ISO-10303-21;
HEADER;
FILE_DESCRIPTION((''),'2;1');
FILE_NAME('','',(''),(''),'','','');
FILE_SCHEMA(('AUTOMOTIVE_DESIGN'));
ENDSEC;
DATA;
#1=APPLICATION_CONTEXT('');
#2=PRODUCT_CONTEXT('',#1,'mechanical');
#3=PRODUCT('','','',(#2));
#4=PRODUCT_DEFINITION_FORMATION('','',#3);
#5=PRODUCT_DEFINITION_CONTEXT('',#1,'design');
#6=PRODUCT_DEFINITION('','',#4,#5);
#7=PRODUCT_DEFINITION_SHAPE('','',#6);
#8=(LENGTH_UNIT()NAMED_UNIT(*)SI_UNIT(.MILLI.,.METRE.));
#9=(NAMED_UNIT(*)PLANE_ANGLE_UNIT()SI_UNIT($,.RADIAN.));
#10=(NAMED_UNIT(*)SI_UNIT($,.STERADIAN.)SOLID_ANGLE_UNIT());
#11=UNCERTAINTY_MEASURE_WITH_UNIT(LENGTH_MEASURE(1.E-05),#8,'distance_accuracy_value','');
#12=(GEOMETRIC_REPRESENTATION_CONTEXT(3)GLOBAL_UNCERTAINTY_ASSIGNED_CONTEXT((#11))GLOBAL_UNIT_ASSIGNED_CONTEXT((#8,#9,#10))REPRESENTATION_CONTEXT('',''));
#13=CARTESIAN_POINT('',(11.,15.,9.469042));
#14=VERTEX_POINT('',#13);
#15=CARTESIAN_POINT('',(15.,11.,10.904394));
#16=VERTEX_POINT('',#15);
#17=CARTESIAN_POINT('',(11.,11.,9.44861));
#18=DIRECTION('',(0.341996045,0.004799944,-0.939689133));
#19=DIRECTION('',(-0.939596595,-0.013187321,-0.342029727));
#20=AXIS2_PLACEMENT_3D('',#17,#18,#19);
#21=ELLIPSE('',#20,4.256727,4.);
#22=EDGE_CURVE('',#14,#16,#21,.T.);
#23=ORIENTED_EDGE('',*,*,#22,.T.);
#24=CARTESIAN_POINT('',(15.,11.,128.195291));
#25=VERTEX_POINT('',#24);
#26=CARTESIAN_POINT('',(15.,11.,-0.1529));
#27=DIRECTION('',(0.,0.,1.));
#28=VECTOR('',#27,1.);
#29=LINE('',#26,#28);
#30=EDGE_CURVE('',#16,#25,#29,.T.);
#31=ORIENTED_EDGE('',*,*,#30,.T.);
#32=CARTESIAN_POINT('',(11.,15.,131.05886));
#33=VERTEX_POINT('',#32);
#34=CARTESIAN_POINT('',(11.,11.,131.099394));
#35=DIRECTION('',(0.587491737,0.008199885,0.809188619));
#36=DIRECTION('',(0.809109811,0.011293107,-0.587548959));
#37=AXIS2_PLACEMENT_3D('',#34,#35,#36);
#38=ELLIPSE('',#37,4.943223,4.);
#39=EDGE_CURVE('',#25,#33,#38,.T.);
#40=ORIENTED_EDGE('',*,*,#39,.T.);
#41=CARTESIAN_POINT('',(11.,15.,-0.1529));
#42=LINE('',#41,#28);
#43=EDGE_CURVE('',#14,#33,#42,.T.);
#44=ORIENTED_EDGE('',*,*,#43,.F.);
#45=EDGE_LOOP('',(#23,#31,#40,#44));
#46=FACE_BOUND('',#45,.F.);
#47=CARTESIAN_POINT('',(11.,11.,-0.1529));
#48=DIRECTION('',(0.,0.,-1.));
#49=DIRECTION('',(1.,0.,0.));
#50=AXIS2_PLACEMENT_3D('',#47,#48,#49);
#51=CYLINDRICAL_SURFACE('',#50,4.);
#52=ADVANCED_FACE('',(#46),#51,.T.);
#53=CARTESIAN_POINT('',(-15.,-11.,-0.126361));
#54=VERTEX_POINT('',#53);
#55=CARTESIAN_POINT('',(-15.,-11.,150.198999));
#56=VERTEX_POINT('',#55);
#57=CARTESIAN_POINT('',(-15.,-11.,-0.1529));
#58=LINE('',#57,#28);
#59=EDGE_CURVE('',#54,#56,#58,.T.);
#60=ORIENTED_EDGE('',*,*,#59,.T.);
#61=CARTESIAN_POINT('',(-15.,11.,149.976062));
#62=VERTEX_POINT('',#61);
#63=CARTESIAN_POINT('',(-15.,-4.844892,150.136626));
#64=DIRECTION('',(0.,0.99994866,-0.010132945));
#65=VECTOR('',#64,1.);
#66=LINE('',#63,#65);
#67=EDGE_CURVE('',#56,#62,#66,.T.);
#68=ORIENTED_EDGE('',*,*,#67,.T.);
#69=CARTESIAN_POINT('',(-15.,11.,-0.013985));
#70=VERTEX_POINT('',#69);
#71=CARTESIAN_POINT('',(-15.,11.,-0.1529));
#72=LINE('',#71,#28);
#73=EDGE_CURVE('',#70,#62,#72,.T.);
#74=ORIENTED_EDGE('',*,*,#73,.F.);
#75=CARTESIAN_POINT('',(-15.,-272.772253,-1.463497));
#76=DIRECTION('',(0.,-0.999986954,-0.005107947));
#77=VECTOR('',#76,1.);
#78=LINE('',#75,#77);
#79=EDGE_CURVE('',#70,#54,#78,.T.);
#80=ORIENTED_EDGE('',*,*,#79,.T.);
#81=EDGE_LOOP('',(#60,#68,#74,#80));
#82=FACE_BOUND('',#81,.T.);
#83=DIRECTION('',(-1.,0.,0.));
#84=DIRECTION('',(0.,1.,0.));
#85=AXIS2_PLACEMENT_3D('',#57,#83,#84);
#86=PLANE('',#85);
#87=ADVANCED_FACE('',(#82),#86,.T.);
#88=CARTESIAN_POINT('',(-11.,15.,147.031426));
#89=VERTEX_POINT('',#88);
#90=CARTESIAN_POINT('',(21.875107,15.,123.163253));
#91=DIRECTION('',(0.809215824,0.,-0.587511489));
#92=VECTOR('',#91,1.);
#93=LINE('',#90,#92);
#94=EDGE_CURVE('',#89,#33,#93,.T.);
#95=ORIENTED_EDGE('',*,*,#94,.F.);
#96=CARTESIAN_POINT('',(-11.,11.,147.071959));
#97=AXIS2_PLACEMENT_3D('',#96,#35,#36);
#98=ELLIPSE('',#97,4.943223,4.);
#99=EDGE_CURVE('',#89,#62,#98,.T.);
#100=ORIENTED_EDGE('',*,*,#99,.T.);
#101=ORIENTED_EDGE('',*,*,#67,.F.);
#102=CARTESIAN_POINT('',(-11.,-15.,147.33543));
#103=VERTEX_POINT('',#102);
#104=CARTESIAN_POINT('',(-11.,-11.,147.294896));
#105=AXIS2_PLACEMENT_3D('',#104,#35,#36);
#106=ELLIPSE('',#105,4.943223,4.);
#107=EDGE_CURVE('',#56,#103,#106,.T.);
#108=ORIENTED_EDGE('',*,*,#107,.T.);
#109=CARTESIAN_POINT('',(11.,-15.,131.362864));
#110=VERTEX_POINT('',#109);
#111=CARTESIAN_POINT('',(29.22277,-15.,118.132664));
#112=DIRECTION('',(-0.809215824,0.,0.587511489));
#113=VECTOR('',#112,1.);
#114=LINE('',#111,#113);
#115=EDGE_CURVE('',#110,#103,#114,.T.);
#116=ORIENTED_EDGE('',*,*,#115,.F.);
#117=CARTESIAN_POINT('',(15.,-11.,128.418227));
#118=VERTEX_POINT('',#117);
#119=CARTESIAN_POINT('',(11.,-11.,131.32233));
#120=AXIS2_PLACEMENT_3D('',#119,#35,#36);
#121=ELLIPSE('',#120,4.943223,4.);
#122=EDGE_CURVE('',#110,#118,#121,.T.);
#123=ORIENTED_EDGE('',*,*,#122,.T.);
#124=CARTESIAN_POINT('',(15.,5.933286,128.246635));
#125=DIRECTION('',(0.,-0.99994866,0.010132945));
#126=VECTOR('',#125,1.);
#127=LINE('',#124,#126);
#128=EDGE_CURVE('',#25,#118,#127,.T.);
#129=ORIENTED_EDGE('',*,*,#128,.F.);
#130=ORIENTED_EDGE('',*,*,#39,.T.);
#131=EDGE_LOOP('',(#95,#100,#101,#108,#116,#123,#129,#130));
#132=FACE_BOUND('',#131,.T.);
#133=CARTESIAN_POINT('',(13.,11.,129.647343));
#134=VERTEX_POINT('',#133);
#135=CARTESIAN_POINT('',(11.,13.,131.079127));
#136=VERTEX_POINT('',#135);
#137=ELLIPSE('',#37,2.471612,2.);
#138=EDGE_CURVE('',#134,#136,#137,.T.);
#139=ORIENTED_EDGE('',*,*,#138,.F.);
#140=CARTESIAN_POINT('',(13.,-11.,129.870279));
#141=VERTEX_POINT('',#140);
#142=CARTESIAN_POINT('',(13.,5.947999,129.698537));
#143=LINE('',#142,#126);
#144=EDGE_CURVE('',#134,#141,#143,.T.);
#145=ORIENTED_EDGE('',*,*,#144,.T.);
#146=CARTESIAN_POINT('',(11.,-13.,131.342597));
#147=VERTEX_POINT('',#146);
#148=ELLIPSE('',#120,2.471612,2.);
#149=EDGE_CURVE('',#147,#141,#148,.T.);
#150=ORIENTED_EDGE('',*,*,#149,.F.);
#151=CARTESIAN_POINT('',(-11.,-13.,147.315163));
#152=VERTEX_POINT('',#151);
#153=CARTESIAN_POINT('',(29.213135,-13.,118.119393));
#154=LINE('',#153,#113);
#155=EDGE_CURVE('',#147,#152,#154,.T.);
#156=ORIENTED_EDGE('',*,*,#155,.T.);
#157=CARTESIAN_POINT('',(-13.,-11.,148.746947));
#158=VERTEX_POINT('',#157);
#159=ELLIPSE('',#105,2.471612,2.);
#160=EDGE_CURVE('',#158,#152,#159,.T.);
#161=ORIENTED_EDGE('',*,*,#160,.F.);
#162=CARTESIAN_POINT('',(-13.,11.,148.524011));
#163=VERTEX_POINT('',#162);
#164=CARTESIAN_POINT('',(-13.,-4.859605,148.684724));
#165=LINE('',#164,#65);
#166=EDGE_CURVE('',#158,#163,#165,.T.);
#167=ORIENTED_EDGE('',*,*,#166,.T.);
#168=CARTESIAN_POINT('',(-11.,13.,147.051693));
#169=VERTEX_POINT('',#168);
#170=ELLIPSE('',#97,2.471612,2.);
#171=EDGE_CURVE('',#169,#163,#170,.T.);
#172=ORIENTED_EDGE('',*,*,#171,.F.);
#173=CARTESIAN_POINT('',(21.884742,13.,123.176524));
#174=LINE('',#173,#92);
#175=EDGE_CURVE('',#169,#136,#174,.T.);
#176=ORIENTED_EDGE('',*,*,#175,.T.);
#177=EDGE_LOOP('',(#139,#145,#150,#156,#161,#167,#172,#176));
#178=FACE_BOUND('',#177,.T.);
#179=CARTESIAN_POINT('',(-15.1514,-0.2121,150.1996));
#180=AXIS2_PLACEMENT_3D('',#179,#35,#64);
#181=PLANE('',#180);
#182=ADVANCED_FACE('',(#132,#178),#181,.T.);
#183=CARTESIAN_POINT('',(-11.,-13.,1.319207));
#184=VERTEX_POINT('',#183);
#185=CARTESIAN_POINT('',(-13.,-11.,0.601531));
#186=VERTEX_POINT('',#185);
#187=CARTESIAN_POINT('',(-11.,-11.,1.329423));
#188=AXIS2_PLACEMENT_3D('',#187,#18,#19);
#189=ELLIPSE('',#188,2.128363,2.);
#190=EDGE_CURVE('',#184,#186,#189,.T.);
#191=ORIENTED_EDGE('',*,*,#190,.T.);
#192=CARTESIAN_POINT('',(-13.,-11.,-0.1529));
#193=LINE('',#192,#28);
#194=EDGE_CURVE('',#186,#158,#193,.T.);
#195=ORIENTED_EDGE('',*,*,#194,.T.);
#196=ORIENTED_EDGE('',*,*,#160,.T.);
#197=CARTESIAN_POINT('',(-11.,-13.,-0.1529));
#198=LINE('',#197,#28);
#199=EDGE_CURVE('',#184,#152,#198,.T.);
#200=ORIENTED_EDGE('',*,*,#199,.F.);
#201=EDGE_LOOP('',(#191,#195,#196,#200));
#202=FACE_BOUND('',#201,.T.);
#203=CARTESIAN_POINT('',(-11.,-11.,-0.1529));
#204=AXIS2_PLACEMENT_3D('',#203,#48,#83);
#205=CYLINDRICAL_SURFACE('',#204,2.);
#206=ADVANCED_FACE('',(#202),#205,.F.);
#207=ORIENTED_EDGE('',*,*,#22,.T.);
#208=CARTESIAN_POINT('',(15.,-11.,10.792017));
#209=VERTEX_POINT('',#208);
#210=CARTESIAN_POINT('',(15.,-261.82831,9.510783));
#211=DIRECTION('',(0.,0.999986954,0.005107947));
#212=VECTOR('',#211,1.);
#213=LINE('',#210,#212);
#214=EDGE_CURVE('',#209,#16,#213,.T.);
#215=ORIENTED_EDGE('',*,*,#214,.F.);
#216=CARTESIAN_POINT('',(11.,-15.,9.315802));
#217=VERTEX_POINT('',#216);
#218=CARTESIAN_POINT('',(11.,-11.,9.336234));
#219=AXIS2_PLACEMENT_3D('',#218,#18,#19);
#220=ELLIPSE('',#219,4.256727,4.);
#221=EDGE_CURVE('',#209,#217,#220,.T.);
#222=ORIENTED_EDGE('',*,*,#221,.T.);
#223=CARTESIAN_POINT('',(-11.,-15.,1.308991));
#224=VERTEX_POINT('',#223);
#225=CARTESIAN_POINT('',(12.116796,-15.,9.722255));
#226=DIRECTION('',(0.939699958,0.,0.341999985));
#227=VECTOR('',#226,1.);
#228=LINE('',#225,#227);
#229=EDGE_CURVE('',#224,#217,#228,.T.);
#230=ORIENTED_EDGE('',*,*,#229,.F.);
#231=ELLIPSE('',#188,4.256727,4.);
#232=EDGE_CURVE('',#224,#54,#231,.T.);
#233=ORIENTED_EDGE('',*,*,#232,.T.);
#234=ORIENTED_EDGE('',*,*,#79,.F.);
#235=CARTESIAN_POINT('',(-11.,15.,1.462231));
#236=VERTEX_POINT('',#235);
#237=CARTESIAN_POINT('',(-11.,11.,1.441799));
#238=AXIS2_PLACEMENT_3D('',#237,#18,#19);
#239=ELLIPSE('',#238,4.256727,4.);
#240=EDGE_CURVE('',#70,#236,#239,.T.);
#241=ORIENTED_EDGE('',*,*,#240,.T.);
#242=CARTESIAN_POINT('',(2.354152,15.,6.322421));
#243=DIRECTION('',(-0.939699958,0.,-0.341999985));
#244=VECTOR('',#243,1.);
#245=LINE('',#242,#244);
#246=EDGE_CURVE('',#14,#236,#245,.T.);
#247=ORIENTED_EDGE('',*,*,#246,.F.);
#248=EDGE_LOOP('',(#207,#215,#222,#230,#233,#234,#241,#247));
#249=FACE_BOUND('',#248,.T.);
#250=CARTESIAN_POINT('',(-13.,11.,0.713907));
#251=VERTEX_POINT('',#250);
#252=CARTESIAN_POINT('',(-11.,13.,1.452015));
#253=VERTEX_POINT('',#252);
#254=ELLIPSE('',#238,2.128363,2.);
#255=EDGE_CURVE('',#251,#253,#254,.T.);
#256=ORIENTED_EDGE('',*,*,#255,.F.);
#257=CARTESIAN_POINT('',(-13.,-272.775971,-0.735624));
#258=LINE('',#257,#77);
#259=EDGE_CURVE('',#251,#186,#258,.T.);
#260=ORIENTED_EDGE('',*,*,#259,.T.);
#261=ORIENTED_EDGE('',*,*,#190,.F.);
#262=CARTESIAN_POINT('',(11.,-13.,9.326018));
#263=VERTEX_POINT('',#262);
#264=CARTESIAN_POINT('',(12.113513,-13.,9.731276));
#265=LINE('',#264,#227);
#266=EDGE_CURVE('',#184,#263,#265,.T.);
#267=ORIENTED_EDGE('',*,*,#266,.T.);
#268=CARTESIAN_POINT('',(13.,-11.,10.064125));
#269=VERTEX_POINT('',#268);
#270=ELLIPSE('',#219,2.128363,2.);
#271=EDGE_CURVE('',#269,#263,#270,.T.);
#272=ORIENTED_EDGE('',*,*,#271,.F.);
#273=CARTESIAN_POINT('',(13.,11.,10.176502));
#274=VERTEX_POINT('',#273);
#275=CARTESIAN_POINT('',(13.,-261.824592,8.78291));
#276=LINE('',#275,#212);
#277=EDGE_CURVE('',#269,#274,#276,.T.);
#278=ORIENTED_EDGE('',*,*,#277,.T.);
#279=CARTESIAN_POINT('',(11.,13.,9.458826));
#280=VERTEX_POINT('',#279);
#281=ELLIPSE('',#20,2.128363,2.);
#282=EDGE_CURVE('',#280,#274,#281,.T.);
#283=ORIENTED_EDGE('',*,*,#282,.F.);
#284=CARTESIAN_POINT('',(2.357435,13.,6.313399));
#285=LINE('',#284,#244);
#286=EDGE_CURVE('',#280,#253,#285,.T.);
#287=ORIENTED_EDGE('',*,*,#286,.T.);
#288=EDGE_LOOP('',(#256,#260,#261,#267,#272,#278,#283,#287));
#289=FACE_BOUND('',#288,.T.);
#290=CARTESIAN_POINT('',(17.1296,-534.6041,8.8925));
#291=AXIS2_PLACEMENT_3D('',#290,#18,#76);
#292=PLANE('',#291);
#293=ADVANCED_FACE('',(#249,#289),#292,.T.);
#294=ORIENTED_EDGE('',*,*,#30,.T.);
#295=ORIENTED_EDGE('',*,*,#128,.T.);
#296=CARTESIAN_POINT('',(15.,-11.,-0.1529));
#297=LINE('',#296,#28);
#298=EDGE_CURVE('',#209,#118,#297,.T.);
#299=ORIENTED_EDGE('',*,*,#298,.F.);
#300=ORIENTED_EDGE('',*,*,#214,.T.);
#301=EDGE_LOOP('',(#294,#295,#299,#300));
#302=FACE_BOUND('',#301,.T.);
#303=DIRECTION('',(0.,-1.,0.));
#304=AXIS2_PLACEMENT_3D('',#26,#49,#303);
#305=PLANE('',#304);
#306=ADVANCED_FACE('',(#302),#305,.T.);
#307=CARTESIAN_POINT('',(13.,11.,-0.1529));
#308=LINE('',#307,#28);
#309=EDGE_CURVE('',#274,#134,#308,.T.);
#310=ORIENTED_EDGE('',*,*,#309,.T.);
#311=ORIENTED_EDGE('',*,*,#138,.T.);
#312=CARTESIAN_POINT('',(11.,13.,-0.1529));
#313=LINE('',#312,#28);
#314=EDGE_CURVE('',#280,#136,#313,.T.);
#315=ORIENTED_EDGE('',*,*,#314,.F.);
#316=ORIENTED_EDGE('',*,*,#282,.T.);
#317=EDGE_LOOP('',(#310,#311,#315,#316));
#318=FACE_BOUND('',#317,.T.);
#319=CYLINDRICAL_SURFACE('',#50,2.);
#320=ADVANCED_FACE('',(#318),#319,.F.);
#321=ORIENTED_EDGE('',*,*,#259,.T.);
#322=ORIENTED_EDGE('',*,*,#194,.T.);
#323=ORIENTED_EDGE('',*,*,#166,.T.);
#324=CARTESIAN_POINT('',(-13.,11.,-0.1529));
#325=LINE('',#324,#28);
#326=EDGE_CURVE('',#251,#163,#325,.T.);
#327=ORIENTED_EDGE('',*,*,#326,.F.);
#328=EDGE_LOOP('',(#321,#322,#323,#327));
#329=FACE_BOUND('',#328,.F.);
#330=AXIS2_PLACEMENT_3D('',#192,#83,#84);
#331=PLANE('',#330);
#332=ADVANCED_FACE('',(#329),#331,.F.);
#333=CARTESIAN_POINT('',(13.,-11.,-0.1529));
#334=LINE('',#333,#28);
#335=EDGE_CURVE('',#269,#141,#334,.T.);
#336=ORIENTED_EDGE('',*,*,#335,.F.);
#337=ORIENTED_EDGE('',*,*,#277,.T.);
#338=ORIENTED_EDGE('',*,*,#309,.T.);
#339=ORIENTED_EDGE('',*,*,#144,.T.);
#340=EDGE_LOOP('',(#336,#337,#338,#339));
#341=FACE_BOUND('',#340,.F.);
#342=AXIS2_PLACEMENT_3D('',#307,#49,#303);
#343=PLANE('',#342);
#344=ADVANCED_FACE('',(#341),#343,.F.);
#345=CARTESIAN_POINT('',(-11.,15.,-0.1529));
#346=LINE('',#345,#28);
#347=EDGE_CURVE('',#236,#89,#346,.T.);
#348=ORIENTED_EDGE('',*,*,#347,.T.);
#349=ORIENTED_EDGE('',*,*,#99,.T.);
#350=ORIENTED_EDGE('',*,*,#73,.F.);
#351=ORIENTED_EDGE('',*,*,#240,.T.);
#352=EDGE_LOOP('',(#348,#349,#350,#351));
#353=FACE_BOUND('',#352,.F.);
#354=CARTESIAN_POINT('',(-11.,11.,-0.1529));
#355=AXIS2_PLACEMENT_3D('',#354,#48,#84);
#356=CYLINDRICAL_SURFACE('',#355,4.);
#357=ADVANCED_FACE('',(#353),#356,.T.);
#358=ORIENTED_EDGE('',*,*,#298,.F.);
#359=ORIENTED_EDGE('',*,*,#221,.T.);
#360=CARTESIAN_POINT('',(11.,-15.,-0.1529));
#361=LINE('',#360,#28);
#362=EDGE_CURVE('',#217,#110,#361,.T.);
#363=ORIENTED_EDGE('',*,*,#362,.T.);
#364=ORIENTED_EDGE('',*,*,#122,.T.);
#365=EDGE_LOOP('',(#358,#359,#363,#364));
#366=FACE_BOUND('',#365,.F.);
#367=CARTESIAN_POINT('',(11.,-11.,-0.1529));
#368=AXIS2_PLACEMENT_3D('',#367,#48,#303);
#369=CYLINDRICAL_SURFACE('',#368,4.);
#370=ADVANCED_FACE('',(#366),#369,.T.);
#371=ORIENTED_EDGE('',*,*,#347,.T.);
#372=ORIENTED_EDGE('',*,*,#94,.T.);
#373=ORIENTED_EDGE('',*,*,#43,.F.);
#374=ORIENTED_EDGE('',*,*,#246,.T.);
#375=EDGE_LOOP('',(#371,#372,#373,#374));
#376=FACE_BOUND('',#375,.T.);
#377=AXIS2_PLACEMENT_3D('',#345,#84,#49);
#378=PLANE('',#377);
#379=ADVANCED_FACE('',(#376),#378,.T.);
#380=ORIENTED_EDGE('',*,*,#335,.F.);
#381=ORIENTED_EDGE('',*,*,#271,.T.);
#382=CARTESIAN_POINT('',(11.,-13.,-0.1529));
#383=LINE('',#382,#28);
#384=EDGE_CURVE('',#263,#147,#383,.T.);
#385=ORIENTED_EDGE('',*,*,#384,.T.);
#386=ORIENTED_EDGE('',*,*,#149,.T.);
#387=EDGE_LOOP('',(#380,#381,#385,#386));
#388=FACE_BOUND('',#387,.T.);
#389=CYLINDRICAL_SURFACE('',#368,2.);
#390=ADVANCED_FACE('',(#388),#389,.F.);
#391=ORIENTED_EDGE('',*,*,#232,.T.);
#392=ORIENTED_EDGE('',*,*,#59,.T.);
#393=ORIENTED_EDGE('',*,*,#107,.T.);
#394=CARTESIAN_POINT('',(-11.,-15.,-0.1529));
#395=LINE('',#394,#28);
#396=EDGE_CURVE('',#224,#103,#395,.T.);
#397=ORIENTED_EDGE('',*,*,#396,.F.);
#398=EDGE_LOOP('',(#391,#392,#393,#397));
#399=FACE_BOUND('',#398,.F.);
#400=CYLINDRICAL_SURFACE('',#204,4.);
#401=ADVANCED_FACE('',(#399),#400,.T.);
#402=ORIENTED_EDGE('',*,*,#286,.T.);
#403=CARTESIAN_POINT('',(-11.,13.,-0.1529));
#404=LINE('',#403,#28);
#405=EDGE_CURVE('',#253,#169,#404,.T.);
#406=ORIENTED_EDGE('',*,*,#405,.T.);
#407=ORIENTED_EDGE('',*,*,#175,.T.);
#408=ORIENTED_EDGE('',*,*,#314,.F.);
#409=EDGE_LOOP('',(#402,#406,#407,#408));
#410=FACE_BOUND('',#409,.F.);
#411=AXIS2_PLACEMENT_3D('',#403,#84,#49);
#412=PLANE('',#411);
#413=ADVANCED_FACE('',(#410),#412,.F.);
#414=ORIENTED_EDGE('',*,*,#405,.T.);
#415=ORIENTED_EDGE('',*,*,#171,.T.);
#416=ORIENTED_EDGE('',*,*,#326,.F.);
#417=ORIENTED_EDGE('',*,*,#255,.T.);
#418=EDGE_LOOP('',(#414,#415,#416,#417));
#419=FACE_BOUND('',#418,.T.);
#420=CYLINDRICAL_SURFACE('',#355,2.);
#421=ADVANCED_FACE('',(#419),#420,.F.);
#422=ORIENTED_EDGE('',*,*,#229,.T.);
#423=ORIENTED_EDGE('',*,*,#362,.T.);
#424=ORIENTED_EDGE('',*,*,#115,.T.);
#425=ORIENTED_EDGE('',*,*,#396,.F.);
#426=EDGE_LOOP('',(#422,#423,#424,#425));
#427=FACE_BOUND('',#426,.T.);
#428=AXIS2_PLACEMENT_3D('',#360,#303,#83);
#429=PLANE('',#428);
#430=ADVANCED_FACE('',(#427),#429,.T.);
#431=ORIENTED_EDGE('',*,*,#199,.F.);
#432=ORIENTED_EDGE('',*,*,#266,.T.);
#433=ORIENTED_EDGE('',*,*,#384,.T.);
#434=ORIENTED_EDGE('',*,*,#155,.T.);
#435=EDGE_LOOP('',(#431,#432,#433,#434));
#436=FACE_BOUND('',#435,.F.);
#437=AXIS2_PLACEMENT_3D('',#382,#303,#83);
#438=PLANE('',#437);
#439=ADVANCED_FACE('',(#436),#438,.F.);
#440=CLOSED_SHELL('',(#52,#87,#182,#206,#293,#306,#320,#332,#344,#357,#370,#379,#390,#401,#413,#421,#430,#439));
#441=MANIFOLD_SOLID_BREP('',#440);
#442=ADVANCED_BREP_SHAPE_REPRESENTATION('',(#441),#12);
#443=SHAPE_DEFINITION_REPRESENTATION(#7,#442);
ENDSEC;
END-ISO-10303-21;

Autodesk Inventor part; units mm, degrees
ref_plane "Plano inicial" through (0, 0, -0.1529) normal (0, 0, 1) x (1, 0, 0)
ref_plane "Plano final" through (0, 0, 150.2399) normal (0, 0, 1) x (1, 0, 0)
sketch "Esboço" plane through (0, 0, 0) normal (0, 0, 1) x (1, 0, 0)
  line L0 (-15, -11) -> (-15, 11)
  line L1 (-11, 15) -> (11, 15)
  line L2 (15, 11) -> (15, -11)
  line L3 (11, -15) -> (-11, -15)
  arc A0 (-15, -11) -> (-11, -15) centre (-11, -11) ccw
  arc A1 (15, 11) -> (11, 15) centre (11, 11) ccw
  arc A2 (-11, 15) -> (-15, 11) centre (-11, 11) ccw
  arc A3 (11, -15) -> (15, -11) centre (11, -11) ccw
  arc A4 (-11, 13) -> (-13, 11) centre (-11, 11) ccw
  line L4 (-11, 13) -> (11, 13)
  arc A5 (13, 11) -> (11, 13) centre (11, 11) ccw
  line L5 (13, 11) -> (13, -11)
  arc A6 (11, -13) -> (13, -11) centre (11, -11) ccw
  line L6 (11, -13) -> (-11, -13)
  arc A7 (-13, -11) -> (-11, -13) centre (-11, -11) ccw
  line L7 (-13, -11) -> (-13, 11)
  line L8 (0, 22.1598) -> (0, -22.1598) construction
  line L9 (-22.1598, 0) -> (22.1598, 0) construction
  dimension "d7" = 4
  dimension "d9" = 30
  dimension "d11" = 30
  dimension "d12" = 2
  dimension "d15" = 15
  dimension "d16" = 15
extrude "Corpo" add sketch "Esboço" along normal up to surface (150.3928 mm away) from surface at -0.1529
sketch "Sketch3" plane through (0, 0, 0) normal (0, 0, 1) x (1, 0, 0)
  line L0 (0, 0) -> (10, 0)
ref_plane "Work Plane3" through (0, 0, 0) normal (0, -1, 0) x (1, 0, 0)
sketch "Sketch4" plane through (0, 0, 0) normal (0, -1, 0) x (1, 0, 0)
  line L0 (-2, -0.1529) -> (12, -0.1529)
  line L1 (-2, 150.2399) -> (12, 150.2399)
  dimension "d18" = 150.3928
ref_plane "Plano de trabalho4" through (-15.1514, -0.2121, 150.1996) normal (0.5875, 0.0082, 0.8092) x (0.8092, -0.0027, -0.5875)
split "Dividir1" plane through (-15.1514, -0.2121, 150.1996) removes the side toward (0.5875, 0.0082, 0.8092)
ref_plane "Plano de trabalho5" through (17.1296, -534.6041, 8.8925) normal (0.342, 0.0048, -0.9397) x (-0.9393, -0.0272, -0.342)
split "Dividir2" plane through (17.1296, -534.6041, 8.8925) removes the side toward (0.342, 0.0048, -0.9397)
equation "\"d7\" = G_IR"
equation "\"d9\" = G_W"
equation "\"d11\" = G_H"
equation "\"d12\" = G_T"
equation "\"d15\" = 0.5 * d9"
equation "\"d16\" = 0.5 * d11"
equation "\"d3\" = G_L"
equation "\"G_W\" = 30"
equation "\"G_H\" = 30"
equation "\"G_T\" = 2"
equation "\"G_IR\" = 4"
equation "\"G_L\" = 150.19956"
equation "\"G_OFFSET_START\" = 0.15287"
equation "\"G_OFFSET_END\" = 1.25504"
equation "\"d13\" = -G_OFFSET_START"
equation "\"d14\" = G_OFFSET_END + B_L"
equation "\"B_L\" = 148.98489"
properties part number "ISO 10799-2 - 30x30x2 - 150,19955895" material "Aço, suave"
